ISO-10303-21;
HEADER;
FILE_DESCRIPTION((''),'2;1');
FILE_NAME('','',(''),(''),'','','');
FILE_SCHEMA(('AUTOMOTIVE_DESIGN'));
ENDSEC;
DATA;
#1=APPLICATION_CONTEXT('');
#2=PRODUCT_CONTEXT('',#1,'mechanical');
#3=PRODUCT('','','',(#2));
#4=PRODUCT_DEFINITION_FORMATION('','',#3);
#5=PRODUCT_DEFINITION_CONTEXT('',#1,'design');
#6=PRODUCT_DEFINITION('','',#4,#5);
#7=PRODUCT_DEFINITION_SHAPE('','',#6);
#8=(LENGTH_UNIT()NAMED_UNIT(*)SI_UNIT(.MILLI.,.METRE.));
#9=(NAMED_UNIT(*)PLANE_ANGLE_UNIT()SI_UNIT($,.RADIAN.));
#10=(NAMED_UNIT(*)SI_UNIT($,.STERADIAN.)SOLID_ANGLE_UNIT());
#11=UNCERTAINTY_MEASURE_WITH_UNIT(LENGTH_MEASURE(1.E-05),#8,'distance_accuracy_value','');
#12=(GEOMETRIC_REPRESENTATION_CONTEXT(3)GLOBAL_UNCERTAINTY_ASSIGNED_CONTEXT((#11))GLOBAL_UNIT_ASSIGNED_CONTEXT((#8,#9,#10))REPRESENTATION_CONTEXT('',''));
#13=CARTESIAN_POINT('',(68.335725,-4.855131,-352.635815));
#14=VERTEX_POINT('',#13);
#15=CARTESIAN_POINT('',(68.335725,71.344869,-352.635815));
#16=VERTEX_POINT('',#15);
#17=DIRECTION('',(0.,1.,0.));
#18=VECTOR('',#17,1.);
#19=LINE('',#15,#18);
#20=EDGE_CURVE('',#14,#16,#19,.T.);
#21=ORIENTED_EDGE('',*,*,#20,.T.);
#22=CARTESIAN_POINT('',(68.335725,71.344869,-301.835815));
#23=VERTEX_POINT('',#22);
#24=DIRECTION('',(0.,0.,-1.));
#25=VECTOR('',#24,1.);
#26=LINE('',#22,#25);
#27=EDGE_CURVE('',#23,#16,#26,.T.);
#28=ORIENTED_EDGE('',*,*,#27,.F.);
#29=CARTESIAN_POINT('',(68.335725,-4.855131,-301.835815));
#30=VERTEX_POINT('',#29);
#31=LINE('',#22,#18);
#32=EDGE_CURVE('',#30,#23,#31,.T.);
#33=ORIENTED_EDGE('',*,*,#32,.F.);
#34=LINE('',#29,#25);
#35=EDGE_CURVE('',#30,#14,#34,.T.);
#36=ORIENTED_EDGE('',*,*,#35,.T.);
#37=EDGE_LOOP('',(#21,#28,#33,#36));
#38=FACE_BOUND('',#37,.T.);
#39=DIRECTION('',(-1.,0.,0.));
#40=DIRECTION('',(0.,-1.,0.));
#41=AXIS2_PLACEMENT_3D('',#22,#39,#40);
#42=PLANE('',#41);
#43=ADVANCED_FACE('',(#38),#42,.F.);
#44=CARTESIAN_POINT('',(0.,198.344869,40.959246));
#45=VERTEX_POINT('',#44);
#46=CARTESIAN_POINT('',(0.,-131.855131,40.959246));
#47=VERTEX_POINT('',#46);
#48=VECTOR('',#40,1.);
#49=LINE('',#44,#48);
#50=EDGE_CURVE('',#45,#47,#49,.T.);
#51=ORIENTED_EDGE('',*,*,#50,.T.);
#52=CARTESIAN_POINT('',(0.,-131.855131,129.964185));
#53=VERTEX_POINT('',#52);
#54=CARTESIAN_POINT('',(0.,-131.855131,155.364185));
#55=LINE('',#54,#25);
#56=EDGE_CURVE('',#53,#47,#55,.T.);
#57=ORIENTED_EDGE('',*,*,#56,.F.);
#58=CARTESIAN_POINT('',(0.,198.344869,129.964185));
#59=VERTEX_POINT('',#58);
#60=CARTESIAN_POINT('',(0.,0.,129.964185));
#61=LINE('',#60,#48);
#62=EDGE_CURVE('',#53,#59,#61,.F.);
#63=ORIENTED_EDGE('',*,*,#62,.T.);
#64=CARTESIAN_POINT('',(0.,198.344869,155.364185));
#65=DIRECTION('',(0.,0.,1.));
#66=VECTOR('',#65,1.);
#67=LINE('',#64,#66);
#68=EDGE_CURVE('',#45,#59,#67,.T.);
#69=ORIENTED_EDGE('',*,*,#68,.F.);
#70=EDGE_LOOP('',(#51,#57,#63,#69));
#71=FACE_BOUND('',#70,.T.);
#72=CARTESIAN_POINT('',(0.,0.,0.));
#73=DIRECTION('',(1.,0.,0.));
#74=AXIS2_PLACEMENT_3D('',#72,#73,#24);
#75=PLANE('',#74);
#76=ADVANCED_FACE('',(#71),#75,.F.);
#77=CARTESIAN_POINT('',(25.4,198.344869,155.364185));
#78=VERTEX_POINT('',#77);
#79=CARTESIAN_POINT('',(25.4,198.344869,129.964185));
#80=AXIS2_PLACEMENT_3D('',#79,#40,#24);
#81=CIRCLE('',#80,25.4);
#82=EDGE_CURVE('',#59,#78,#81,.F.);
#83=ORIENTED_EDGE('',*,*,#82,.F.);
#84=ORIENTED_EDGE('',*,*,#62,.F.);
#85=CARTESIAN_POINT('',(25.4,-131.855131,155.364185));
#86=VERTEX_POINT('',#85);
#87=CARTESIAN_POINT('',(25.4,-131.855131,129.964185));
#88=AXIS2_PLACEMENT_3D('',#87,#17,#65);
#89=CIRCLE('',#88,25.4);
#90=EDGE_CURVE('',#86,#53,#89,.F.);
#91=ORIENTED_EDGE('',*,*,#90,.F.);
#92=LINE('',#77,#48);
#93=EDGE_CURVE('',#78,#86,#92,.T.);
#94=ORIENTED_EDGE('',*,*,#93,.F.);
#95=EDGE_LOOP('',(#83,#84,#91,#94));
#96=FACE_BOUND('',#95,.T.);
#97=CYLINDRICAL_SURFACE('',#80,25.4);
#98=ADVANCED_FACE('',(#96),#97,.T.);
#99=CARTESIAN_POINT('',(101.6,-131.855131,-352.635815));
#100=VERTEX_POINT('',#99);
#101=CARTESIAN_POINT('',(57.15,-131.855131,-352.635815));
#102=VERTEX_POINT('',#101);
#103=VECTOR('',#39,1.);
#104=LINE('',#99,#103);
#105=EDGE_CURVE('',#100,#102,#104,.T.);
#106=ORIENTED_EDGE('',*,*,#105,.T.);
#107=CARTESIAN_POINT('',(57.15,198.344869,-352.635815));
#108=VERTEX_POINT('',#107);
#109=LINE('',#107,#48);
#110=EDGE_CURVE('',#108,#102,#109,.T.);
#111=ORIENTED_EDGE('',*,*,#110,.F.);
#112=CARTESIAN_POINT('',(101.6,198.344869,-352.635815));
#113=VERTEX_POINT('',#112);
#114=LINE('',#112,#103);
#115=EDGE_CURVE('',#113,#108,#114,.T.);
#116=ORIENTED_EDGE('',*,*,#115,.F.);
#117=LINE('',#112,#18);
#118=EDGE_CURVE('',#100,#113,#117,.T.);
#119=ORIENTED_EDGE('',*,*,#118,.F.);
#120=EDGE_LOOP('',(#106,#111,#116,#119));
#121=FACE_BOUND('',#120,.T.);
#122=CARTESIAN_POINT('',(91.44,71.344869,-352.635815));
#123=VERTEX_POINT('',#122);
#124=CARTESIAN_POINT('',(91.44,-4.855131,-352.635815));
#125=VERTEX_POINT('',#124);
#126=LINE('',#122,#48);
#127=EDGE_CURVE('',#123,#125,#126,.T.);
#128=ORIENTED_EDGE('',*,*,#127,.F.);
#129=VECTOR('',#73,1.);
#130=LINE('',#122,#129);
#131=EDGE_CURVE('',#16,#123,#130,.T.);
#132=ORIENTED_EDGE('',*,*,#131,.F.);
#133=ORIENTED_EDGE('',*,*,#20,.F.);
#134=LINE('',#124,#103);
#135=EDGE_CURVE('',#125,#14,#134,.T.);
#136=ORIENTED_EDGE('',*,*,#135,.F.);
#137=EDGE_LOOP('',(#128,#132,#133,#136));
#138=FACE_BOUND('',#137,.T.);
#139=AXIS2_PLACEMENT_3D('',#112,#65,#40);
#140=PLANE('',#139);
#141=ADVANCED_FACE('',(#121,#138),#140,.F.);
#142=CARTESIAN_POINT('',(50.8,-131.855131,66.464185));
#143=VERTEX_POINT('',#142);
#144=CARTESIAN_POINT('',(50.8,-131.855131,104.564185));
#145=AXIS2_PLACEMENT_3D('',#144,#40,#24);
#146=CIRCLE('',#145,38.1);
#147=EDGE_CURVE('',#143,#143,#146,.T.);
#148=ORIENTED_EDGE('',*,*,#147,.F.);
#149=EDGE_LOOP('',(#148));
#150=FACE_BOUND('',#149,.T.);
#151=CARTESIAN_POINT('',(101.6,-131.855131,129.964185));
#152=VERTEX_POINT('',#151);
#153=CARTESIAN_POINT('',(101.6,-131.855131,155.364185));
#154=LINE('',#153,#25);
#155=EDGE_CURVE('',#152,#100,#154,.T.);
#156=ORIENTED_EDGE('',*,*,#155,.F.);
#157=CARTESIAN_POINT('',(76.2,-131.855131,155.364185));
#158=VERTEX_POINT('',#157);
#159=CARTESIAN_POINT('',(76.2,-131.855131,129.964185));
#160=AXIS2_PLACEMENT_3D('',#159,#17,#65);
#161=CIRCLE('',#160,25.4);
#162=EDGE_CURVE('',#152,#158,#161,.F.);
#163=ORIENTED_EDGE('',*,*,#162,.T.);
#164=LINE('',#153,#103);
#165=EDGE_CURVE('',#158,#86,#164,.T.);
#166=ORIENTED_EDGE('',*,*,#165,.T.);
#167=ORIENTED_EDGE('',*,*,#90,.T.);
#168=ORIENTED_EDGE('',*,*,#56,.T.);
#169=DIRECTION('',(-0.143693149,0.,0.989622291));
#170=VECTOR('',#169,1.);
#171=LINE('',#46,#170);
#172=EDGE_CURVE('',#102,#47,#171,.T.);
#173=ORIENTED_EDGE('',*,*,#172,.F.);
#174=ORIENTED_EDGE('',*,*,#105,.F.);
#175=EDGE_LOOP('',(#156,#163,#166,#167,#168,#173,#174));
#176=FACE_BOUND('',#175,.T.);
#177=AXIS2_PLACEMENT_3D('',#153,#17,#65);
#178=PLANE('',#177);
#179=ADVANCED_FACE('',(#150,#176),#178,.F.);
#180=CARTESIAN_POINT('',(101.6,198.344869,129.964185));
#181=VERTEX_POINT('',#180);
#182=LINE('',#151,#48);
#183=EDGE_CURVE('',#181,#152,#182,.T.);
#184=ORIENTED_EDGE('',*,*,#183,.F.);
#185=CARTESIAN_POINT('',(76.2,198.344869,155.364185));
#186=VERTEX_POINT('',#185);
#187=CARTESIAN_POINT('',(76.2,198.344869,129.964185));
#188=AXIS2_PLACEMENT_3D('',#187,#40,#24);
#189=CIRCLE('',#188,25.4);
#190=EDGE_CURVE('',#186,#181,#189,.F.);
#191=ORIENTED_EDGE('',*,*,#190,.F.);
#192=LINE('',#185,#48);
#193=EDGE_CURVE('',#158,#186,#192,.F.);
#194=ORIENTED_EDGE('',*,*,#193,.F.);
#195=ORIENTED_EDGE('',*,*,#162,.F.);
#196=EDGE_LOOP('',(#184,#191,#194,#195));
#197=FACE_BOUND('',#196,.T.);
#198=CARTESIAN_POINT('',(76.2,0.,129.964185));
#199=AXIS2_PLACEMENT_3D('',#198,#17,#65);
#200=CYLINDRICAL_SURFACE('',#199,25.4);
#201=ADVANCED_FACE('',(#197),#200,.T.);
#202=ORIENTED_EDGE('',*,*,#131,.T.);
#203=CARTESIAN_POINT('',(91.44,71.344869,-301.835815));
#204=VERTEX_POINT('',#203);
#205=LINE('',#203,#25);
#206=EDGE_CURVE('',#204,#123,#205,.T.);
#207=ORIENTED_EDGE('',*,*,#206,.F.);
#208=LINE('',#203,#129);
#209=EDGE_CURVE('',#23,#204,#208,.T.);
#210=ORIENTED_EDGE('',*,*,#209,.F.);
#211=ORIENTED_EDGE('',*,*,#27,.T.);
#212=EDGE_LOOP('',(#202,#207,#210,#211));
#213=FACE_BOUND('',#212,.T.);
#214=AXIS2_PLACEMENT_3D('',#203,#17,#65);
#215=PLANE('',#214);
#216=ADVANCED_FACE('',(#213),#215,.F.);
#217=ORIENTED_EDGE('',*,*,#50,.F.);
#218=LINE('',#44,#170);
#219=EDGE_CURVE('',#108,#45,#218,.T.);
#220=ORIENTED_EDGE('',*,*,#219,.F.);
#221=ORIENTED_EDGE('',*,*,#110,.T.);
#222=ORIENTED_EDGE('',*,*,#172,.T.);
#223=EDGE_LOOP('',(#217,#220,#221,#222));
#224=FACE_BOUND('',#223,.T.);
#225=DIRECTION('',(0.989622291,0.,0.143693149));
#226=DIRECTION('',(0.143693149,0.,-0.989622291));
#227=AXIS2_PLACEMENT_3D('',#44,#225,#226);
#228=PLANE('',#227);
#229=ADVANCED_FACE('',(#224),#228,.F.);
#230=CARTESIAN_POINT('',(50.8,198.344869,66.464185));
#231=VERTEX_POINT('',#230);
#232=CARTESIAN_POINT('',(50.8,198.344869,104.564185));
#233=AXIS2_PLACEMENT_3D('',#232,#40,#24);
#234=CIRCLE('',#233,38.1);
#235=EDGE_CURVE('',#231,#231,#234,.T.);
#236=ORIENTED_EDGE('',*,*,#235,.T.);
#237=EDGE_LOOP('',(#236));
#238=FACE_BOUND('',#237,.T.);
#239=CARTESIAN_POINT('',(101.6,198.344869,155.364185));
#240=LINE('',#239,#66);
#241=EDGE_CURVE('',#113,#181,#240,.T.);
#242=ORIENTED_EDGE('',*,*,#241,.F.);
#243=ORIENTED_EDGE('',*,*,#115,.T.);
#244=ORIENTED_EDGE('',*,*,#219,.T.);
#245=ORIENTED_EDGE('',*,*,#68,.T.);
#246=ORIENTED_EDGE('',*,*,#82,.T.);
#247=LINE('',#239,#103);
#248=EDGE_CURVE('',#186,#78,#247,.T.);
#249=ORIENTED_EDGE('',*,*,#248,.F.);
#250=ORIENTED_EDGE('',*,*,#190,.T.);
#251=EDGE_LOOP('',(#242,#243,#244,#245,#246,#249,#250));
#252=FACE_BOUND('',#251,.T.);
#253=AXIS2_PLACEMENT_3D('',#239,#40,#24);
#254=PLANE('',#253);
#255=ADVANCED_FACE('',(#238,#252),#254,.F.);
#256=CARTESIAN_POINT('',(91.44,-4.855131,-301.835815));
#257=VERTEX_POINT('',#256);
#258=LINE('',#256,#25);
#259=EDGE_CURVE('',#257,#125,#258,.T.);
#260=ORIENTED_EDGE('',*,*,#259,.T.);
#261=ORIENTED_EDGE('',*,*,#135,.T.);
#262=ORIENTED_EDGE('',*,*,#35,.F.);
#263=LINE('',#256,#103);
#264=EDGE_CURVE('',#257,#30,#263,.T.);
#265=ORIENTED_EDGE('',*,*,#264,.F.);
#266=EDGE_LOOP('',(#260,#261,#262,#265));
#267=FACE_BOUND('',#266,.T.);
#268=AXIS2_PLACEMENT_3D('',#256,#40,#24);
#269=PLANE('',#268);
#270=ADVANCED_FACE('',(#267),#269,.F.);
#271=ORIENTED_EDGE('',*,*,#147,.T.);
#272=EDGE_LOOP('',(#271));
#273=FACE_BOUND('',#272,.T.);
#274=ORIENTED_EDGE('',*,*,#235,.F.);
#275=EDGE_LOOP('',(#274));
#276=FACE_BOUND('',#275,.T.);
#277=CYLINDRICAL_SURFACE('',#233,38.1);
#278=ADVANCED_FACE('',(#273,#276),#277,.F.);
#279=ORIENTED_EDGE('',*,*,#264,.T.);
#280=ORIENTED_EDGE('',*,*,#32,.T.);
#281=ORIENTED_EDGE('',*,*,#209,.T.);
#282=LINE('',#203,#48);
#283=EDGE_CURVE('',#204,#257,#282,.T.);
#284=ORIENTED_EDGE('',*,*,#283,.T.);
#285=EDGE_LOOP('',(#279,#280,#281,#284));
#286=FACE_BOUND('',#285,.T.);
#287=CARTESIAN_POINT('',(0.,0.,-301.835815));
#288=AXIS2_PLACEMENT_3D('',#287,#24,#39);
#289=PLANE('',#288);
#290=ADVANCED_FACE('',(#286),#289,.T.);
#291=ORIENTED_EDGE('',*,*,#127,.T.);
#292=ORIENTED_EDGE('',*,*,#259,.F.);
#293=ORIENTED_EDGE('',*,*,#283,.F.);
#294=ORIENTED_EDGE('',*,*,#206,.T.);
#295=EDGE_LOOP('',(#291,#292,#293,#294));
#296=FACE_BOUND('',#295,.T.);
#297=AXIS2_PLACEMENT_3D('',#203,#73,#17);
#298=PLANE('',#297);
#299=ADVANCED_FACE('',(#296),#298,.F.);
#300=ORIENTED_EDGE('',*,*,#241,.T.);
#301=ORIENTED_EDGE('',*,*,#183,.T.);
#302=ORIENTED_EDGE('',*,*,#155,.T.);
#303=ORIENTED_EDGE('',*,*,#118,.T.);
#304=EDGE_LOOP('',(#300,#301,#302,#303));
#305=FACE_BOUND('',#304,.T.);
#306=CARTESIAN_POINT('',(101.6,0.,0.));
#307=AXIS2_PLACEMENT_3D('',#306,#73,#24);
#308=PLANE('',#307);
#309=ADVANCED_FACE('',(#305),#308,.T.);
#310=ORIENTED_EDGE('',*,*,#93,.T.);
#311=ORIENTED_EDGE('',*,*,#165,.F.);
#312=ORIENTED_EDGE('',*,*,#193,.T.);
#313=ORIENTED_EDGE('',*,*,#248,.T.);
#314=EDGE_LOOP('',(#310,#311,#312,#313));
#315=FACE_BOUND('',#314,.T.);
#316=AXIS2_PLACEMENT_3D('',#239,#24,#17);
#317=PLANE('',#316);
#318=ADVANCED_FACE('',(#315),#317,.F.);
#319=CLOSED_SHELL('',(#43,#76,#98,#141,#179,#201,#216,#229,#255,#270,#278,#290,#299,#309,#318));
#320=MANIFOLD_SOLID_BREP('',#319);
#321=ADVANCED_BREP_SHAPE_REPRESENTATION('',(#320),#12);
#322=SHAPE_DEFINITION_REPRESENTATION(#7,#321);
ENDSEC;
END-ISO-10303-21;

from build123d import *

# Parameters (mm, degrees)
SKETCH2_W           = 508
SKETCH2_H           = 330.2
BOSS_EXTRUDE1_DEPTH = 101.6
SKETCH3_R           = 38.1
CUT_EXTRUDE1_DEPTH  = 331.2
FILLET1_R           = 25.4
CUT_EXTRUDE2_DEPTH  = 331.2
SKETCH5_W           = 23.104275201
SKETCH5_H           = 76.2
CUT_EXTRUDE3_DEPTH  = 50.8


with BuildPart() as part:
    # Sketch2 → Boss-Extrude1 (new body)
    with BuildSketch(Plane(origin=(0, 0, 0), x_dir=(0, 0, -1), z_dir=(1, 0, 0))):
        with Locations((98.635814889, 33.244869215)):
            Rectangle(SKETCH2_W, SKETCH2_H)
    extrude(amount=BOSS_EXTRUDE1_DEPTH)

    # Sketch3 → Cut-Extrude1 (cut, through all)
    with BuildSketch(Plane.XZ.offset(131.855130785)):
        with Locations((50.8, 104.564185111)):
            Circle(SKETCH3_R)
    extrude(amount=-CUT_EXTRUDE1_DEPTH, mode=Mode.SUBTRACT)

    # Fillet1
    fillet1_edges = [part.edges().sort_by_distance(p)[0] for p in [
        (101.6, 33.244869215, 155.364185111),
        (0, 33.244869215, 155.364185111),
    ]]
    fillet(fillet1_edges, radius=FILLET1_R)

    # Sketch4 → Cut-Extrude2 (cut, through all)
    with BuildSketch(Plane.XZ.offset(131.855130785)):
        Polygon((0, 40.959246462), (57.15, -352.635814889), (0, -352.635814889), align=None)
    extrude(amount=-CUT_EXTRUDE2_DEPTH, mode=Mode.SUBTRACT)

    # Sketch5 → Cut-Extrude3 (cut)
    with BuildSketch(Plane(origin=(0, 0, -352.635814889), x_dir=(-1, 0, 0), z_dir=(0, 0, -1))):
        with Locations((-79.8878624, 33.244869215)):
            Rectangle(SKETCH5_W, SKETCH5_H)
    extrude(amount=-CUT_EXTRUDE3_DEPTH, mode=Mode.SUBTRACT)


solid = part.part
